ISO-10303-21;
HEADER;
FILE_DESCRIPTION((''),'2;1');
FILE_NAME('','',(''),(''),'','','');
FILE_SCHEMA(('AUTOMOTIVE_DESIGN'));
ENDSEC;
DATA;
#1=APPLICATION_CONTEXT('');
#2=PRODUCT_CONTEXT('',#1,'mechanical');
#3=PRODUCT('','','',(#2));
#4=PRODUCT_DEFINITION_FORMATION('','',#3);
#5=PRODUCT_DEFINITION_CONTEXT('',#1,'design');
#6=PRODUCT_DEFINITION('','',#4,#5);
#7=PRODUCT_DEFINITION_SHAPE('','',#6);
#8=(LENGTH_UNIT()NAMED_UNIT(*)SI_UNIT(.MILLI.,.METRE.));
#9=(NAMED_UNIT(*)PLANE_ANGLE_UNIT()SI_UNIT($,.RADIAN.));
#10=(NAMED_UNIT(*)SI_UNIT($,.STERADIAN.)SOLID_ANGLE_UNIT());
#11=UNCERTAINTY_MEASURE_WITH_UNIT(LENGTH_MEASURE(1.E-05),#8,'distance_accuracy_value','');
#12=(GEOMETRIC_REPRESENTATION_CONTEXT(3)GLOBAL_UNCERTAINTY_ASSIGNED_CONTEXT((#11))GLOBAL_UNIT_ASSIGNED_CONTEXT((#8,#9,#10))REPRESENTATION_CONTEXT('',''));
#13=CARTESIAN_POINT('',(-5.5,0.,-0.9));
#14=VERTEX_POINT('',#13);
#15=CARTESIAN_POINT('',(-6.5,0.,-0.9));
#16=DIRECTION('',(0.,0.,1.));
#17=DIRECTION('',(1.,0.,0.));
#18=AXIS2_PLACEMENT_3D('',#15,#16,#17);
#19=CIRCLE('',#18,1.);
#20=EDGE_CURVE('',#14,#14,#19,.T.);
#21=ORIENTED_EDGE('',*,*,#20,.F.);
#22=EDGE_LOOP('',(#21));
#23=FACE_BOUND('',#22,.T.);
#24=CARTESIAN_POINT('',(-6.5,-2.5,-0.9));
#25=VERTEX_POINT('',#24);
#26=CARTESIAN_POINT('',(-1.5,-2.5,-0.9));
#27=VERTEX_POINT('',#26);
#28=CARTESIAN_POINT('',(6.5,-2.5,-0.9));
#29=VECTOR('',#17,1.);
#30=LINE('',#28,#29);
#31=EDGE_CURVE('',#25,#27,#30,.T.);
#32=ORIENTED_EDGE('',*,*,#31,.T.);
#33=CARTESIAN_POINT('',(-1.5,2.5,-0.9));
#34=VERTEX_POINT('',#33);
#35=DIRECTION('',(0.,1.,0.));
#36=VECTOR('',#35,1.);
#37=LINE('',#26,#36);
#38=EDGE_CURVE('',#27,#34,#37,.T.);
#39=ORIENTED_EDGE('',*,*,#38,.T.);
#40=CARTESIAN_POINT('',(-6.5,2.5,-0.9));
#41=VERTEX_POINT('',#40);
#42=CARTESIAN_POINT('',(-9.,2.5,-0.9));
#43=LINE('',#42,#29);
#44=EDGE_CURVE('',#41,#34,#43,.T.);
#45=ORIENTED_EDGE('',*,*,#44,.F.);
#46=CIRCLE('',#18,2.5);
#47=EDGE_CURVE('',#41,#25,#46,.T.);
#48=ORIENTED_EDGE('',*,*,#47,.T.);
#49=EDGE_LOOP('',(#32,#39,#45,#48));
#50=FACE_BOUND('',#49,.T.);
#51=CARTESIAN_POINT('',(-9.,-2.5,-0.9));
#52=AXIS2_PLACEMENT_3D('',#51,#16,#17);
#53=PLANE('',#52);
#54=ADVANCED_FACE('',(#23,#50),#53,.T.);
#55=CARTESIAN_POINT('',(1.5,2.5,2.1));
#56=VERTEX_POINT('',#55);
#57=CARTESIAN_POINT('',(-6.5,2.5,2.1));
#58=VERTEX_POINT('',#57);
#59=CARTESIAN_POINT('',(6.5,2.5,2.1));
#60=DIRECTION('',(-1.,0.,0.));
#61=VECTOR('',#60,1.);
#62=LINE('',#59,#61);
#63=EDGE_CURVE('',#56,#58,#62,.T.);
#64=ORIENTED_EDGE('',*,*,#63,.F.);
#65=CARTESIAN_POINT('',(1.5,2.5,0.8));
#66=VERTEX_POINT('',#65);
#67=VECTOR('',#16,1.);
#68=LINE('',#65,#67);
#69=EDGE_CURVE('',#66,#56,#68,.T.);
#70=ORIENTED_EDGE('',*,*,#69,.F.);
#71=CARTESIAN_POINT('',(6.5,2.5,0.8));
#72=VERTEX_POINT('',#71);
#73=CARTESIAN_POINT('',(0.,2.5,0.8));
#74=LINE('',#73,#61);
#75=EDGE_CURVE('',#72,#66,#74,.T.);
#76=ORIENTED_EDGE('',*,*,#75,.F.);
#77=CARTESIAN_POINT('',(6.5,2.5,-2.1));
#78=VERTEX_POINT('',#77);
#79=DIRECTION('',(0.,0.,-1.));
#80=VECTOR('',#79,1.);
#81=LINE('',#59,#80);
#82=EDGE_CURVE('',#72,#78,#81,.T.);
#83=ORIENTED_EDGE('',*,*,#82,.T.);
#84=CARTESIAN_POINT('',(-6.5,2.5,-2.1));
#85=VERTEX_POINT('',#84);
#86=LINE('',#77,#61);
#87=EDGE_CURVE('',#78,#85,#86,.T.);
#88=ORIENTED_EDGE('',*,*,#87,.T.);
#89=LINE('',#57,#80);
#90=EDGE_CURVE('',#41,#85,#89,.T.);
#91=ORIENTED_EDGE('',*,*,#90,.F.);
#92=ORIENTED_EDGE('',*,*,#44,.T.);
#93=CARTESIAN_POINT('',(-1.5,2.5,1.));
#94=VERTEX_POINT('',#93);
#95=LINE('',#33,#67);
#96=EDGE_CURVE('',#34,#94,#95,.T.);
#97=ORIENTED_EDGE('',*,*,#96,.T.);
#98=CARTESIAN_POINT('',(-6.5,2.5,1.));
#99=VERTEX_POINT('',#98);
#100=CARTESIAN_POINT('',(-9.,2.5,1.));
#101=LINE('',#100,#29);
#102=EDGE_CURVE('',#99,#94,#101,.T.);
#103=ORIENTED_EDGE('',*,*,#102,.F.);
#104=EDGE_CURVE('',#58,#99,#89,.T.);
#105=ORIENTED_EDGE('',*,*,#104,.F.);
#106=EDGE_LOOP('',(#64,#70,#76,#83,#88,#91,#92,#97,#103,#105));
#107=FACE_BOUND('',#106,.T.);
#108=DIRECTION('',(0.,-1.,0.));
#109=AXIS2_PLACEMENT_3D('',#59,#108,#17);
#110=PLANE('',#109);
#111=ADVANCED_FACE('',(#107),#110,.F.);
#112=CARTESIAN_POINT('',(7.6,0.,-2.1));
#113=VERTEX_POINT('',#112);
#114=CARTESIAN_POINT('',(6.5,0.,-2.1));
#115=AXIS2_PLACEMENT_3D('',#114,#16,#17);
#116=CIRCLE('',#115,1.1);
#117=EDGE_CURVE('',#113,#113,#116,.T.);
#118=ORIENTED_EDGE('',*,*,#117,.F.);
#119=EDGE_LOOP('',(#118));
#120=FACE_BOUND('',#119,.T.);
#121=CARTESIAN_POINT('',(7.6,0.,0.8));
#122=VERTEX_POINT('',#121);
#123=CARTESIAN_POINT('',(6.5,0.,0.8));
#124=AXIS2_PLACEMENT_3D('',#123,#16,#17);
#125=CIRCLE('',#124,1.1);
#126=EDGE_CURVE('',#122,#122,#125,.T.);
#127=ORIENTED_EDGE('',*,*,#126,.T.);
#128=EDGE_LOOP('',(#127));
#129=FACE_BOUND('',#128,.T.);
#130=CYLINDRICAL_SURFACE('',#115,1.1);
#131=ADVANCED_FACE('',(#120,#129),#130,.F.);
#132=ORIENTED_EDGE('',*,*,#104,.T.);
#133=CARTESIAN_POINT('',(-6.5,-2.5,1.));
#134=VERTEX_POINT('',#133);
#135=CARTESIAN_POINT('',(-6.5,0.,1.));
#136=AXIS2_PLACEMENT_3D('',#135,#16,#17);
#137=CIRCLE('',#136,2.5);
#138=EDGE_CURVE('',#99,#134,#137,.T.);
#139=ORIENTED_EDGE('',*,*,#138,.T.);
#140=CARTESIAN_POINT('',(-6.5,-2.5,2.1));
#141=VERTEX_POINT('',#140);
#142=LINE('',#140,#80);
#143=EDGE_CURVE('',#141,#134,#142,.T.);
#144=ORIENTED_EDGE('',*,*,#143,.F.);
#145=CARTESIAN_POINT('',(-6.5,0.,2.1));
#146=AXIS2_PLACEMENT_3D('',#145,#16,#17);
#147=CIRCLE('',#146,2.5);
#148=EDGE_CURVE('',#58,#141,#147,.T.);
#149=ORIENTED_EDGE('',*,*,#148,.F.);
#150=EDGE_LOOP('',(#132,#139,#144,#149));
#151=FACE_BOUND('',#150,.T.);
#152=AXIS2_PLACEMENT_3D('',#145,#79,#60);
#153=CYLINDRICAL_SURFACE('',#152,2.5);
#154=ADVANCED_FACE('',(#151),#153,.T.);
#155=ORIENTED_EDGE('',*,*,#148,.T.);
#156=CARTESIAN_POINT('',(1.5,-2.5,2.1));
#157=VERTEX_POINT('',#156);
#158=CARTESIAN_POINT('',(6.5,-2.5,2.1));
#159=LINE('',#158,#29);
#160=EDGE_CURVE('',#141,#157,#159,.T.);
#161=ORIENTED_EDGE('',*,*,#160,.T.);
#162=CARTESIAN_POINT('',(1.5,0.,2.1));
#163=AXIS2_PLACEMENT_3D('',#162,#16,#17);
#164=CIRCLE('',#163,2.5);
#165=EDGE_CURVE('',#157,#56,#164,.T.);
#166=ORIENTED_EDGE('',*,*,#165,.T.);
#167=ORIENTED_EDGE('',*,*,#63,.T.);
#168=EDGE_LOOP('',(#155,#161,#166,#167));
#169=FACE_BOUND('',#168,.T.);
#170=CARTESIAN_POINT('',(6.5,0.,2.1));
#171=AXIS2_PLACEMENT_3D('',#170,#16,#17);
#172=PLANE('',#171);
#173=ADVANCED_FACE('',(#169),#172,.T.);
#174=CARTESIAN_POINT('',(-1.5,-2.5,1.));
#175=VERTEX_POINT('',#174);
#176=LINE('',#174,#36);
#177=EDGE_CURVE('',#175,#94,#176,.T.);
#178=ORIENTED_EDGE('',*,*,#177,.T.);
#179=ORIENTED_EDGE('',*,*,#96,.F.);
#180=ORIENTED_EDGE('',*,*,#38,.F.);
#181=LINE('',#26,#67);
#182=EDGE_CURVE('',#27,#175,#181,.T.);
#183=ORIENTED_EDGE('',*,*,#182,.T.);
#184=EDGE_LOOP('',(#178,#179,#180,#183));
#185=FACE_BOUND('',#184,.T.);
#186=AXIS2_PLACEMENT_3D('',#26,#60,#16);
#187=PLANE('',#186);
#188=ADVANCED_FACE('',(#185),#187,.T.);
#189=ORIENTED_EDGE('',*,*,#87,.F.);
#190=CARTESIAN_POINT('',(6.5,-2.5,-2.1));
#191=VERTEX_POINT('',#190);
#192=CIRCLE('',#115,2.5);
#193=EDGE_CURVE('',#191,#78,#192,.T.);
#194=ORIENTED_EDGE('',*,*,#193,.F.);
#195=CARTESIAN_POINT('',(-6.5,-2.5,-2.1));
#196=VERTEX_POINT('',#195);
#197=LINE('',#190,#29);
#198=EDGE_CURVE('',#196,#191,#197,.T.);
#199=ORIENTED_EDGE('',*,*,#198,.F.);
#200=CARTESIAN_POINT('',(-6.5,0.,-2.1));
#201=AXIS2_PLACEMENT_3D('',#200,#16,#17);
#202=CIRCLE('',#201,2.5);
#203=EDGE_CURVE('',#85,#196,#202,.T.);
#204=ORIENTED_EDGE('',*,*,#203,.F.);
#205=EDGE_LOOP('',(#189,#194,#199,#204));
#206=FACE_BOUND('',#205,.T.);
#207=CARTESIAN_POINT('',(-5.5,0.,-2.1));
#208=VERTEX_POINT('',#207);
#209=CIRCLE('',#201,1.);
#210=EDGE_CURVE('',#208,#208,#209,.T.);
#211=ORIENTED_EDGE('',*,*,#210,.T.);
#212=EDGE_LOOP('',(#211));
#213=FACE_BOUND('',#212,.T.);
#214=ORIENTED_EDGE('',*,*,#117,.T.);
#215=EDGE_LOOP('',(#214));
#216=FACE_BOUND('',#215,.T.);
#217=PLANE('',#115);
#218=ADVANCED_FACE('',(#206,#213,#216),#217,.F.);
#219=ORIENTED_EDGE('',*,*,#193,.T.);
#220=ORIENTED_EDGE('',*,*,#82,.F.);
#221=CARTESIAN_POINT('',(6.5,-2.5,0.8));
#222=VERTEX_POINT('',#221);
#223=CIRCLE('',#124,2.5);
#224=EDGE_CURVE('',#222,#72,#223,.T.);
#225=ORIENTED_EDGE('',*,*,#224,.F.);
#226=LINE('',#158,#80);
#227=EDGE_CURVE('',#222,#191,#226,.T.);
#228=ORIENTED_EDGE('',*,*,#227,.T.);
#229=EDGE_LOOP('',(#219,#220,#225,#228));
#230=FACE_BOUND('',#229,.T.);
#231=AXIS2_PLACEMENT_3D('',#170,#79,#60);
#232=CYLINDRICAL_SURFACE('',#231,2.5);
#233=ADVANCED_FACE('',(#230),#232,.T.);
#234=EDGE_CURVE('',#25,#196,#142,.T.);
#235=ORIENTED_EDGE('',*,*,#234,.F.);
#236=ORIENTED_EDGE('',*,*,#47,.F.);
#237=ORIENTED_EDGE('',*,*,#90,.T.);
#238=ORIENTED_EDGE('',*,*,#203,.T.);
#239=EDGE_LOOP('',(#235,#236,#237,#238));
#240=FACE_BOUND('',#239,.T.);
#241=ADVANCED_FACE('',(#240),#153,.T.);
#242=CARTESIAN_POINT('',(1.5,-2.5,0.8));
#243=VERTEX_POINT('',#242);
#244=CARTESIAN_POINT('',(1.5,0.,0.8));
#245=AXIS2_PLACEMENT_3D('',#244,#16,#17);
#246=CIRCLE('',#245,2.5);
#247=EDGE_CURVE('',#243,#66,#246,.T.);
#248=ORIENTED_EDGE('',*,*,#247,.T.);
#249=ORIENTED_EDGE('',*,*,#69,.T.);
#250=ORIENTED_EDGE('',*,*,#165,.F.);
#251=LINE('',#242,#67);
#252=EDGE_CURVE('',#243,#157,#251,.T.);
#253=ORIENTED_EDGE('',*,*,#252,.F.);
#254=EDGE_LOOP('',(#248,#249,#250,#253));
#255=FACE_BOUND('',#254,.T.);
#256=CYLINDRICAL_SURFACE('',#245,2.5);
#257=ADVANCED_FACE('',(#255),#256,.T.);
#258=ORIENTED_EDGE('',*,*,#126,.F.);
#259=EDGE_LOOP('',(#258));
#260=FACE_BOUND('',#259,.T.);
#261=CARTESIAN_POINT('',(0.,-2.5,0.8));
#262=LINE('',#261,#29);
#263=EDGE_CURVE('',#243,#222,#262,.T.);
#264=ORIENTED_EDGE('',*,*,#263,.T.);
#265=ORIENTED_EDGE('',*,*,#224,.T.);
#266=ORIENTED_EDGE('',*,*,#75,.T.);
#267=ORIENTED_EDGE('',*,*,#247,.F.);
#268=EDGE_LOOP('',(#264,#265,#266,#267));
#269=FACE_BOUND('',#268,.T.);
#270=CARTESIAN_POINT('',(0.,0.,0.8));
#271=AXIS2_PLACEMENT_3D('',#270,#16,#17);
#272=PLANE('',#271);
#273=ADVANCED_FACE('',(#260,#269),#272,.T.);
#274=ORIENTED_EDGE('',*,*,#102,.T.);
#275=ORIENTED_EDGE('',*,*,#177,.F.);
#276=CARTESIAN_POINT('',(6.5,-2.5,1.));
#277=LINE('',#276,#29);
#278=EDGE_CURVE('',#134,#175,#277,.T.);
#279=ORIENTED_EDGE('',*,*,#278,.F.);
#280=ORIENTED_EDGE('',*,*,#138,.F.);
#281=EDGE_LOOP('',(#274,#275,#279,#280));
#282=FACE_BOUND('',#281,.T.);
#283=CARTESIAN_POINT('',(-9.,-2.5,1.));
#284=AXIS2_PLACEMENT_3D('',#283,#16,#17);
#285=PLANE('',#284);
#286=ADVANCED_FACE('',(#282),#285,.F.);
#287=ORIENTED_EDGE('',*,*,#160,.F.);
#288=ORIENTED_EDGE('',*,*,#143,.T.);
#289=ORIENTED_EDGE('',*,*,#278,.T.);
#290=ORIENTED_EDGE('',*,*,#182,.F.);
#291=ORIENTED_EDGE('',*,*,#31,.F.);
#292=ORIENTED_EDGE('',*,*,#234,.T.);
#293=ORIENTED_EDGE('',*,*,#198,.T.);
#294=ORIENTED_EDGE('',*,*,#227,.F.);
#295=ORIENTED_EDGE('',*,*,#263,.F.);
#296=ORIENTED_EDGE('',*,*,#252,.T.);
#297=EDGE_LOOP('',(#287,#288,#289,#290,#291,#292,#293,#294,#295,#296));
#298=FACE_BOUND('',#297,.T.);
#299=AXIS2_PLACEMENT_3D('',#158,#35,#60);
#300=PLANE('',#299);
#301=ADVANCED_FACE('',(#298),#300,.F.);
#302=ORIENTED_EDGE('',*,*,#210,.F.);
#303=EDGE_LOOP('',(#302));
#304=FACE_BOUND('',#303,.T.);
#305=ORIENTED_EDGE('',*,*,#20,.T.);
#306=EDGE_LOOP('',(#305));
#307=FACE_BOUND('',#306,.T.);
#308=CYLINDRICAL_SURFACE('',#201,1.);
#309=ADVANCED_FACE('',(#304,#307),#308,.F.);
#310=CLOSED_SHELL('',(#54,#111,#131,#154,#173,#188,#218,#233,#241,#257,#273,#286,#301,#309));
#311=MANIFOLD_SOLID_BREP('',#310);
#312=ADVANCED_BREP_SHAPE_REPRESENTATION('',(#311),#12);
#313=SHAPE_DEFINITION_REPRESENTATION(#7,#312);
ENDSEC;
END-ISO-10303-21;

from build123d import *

# Parameters (mm, degrees)
BOSS_EXTRUDE1_DEPTH     = 2.1
CUT_EXTRUDE1_DEPTH      = 1.3
SKETCH3_R               = 1.1
CUT_EXTRUDE2_DEPTH      = 10.780593029
CUT_EXTRUDE3_DEPTH      = 10.573922916
CUT_EXTRUDE3_DEPTH_BACK = 10.573922916
SKETCH4_W               = 7.5
SKETCH4_H               = 1.9
SKETCH5_R               = 1
CUT_EXTRUDE4_DEPTH      = 10.810708435


with BuildPart() as part:
    # Sketch1 → Boss-Extrude1 (new, symmetric)
    with BuildSketch(Plane.XY):
        with BuildLine():
            Line((6.5, -2.5), (-6.5, -2.5))
            ThreePointArc((-6.5, -2.5), (-9, 0), (-6.5, 2.5))
            Line((-6.5, 2.5), (6.5, 2.5))
            ThreePointArc((6.5, 2.5), (9, 0), (6.5, -2.5))
        make_face()
    extrude(amount=BOSS_EXTRUDE1_DEPTH, both=True)

    # Sketch2 → Cut-Extrude1 (cut)
    with BuildSketch(Plane.XY.offset(2.1)):
        with BuildLine():
            Line((6.5, 2.5), (1.5, 2.5))
            ThreePointArc((1.5, 2.5), (4, 0), (1.5, -2.5))
            Line((1.5, -2.5), (6.5, -2.5))
            ThreePointArc((6.5, -2.5), (9, 0), (6.5, 2.5))
        make_face()
    extrude(amount=-CUT_EXTRUDE1_DEPTH, mode=Mode.SUBTRACT)

    # Sketch3 → Cut-Extrude2 (cut, through all)
    with BuildSketch(Plane.XY.offset(0.8)):
        with Locations((6.5, 0)):
            Circle(SKETCH3_R)
    extrude(amount=-CUT_EXTRUDE2_DEPTH, mode=Mode.SUBTRACT)

    # Sketch4 → Cut-Extrude3 (cut, two sides: drawn at the far end of the back side and taken through both)
    with BuildSketch(Plane(origin=(0, 0, 0), x_dir=(1, 0, 0), z_dir=(0, 1, 0)).offset(-CUT_EXTRUDE3_DEPTH_BACK)):
        with Locations((-5.25, -0.05)):
            Rectangle(SKETCH4_W, SKETCH4_H)
    extrude(amount=CUT_EXTRUDE3_DEPTH + CUT_EXTRUDE3_DEPTH_BACK, mode=Mode.SUBTRACT)

    # Sketch5 → Cut-Extrude4 (cut, through all)
    with BuildSketch(Plane.XY.offset(-0.9)):
        with Locations((-6.5, 0)):
            Circle(SKETCH5_R)
    extrude(amount=-CUT_EXTRUDE4_DEPTH, mode=Mode.SUBTRACT)


solid = part.part
